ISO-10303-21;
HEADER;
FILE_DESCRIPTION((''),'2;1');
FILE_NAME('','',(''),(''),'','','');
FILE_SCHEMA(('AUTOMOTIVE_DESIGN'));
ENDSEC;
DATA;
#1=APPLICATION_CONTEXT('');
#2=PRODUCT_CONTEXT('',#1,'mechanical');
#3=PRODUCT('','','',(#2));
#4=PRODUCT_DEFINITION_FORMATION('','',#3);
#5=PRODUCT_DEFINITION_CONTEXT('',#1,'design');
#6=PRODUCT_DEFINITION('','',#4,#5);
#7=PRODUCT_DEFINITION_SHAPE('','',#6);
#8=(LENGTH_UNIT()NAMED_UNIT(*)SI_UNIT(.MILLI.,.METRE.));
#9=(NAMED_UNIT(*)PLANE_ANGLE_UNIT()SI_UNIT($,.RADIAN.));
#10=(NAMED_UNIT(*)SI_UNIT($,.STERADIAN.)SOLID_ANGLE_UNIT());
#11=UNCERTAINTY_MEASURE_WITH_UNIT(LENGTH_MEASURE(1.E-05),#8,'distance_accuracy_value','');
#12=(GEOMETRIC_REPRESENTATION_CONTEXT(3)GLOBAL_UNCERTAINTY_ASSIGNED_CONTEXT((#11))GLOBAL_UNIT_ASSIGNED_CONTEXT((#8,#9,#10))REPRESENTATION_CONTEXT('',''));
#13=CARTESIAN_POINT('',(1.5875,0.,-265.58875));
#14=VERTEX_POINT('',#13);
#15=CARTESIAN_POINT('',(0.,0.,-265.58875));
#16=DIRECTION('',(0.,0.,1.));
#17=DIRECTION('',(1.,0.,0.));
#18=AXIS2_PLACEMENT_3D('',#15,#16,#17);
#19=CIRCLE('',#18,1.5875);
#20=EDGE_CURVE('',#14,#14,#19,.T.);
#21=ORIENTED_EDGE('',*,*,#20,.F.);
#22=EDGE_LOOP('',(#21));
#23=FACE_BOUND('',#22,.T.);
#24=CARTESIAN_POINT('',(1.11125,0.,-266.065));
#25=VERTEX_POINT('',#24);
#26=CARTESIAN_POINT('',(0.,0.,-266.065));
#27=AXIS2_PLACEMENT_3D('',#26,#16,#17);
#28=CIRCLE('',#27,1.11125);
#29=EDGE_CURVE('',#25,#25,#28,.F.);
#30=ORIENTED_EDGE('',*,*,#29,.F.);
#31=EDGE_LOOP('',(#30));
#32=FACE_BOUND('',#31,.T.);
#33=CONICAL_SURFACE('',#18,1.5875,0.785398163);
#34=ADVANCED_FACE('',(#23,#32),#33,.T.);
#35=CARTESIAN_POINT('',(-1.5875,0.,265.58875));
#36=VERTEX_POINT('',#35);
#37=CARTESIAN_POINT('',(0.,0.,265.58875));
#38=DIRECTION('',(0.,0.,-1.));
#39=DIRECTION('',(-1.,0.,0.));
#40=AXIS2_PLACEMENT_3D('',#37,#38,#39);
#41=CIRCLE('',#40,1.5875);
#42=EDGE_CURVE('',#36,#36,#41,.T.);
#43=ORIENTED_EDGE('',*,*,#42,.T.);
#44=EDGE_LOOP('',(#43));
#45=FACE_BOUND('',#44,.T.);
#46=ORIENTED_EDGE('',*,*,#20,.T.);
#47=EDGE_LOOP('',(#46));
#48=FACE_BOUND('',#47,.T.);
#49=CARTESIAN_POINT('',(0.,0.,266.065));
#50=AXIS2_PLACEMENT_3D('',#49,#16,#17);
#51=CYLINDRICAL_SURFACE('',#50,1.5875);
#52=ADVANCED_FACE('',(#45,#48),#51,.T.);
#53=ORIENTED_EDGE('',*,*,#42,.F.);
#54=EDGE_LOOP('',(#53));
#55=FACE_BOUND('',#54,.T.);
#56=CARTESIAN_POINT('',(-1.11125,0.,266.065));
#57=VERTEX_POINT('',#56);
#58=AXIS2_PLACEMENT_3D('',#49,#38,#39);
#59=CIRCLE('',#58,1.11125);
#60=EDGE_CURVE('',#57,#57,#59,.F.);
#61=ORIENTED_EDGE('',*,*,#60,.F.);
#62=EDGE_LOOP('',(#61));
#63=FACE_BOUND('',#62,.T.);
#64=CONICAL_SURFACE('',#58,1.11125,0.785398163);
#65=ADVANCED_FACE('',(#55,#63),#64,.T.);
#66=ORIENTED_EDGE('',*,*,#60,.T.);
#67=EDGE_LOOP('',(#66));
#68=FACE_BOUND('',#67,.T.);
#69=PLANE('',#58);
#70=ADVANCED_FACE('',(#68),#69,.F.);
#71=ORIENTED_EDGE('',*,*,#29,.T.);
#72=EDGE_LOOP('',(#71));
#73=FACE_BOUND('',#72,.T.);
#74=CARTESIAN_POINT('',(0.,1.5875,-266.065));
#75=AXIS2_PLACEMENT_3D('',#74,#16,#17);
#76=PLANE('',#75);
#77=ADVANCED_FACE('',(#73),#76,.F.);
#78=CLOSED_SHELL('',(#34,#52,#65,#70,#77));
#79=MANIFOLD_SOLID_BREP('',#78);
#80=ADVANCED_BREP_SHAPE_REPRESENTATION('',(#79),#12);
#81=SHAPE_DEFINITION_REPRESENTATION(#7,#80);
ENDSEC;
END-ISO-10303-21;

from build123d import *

# Parameters (mm, degrees)
SKETCH2_W     = 532.13
SKETCH2_H     = 1.5875
CHAMFER1_SIZE = 0.47625


with BuildPart() as part:
    # Sketch2 → Revolve1 (revolve)
    with BuildSketch(Plane(origin=(0, 0, 0), x_dir=(0, 0, -1), z_dir=(1, 0, 0))):
        with Locations((0, 0.79375)):
            Rectangle(SKETCH2_W, SKETCH2_H)
    revolve(axis=Axis((0, 0, 266.065), (0, 0, -1)))

    # Chamfer1
    chamfer1_edges = [part.edges().sort_by_distance(p)[0] for p in [
        (0, -1.5875, 266.065),
        (0, -1.5875, -266.065),
    ]]
    chamfer(chamfer1_edges, length=CHAMFER1_SIZE)


solid = part.part
